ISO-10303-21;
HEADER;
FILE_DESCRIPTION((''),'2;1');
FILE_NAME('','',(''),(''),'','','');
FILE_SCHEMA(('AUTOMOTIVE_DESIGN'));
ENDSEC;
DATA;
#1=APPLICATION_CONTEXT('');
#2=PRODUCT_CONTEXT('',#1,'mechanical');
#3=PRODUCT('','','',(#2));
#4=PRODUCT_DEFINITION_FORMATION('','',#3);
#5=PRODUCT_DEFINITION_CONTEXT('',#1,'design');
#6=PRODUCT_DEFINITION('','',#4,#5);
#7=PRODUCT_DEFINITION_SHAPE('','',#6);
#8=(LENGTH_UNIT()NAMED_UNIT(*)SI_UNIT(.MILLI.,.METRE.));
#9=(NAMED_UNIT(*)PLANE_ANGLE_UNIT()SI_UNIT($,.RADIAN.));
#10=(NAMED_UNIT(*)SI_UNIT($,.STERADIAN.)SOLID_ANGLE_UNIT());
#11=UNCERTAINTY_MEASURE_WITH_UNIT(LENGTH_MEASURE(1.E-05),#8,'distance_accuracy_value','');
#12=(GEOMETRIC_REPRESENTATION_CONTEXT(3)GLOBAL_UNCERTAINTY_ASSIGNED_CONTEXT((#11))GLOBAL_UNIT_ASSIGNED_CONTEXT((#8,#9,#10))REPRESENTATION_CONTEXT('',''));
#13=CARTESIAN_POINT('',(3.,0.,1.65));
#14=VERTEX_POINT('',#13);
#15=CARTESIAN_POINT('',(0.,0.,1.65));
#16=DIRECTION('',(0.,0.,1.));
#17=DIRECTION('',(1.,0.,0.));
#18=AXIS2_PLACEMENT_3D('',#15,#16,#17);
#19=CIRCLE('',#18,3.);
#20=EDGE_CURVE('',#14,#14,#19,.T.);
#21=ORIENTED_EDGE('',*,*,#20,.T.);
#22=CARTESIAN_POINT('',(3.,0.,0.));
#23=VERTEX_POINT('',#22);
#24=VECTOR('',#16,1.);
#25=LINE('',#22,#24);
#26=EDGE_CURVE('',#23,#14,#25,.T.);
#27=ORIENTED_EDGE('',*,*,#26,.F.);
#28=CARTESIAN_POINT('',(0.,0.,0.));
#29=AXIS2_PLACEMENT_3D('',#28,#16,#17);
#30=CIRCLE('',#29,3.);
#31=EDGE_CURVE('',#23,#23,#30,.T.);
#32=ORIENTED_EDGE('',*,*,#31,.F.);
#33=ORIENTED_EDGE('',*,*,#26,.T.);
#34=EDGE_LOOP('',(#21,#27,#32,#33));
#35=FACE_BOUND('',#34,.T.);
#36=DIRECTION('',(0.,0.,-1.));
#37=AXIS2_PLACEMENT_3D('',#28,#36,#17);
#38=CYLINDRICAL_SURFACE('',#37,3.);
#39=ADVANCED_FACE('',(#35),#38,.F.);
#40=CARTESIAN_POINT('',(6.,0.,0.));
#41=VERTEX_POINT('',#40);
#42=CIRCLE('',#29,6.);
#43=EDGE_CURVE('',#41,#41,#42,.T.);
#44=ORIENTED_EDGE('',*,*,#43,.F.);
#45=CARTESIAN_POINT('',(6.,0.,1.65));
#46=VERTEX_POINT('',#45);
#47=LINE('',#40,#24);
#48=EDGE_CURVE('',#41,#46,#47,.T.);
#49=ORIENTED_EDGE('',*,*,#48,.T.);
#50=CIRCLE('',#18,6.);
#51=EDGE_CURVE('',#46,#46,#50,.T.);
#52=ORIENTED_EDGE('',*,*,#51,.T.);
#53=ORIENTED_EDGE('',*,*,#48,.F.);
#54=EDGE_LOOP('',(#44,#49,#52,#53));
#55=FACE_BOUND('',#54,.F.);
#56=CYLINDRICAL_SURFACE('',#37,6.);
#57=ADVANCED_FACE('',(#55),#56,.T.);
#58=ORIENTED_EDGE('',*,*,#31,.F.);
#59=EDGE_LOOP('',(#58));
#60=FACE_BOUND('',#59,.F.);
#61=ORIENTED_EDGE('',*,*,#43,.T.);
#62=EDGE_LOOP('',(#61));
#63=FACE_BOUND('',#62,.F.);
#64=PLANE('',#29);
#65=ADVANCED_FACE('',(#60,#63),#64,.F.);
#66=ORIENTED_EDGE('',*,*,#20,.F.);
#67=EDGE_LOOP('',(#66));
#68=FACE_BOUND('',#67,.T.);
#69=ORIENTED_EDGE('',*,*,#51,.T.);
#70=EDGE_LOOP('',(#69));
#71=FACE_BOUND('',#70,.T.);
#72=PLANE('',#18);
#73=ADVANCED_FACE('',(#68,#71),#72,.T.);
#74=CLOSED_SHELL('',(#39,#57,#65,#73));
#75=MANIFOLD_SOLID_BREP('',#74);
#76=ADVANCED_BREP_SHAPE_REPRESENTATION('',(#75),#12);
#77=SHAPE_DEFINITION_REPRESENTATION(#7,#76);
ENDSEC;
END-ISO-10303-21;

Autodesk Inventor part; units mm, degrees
ref_plane "YZ Plane" through (0, 0, 0) normal (1, 0, 0) x (0, 1, 0)
ref_plane "XZ Plane" through (0, 0, 0) normal (0, 1, 0) x (-1, 0, 0)
ref_plane "XY Plane" through (0, 0, 0) normal (0, 0, 1) x (1, 0, 0)
sketch "Sketch1" plane through (0, 0, 0) normal (0, 0, 1) x (1, 0, 0)
  circle A0 centre (0, 0) radius 3
  circle A1 centre (0, 0) radius 6
  dimension "d0" = 6
  dimension "d1" = 12
extrude "Extrusion1" add sketch "Sketch1" along normal blind 1.65
properties part number "washer3"
